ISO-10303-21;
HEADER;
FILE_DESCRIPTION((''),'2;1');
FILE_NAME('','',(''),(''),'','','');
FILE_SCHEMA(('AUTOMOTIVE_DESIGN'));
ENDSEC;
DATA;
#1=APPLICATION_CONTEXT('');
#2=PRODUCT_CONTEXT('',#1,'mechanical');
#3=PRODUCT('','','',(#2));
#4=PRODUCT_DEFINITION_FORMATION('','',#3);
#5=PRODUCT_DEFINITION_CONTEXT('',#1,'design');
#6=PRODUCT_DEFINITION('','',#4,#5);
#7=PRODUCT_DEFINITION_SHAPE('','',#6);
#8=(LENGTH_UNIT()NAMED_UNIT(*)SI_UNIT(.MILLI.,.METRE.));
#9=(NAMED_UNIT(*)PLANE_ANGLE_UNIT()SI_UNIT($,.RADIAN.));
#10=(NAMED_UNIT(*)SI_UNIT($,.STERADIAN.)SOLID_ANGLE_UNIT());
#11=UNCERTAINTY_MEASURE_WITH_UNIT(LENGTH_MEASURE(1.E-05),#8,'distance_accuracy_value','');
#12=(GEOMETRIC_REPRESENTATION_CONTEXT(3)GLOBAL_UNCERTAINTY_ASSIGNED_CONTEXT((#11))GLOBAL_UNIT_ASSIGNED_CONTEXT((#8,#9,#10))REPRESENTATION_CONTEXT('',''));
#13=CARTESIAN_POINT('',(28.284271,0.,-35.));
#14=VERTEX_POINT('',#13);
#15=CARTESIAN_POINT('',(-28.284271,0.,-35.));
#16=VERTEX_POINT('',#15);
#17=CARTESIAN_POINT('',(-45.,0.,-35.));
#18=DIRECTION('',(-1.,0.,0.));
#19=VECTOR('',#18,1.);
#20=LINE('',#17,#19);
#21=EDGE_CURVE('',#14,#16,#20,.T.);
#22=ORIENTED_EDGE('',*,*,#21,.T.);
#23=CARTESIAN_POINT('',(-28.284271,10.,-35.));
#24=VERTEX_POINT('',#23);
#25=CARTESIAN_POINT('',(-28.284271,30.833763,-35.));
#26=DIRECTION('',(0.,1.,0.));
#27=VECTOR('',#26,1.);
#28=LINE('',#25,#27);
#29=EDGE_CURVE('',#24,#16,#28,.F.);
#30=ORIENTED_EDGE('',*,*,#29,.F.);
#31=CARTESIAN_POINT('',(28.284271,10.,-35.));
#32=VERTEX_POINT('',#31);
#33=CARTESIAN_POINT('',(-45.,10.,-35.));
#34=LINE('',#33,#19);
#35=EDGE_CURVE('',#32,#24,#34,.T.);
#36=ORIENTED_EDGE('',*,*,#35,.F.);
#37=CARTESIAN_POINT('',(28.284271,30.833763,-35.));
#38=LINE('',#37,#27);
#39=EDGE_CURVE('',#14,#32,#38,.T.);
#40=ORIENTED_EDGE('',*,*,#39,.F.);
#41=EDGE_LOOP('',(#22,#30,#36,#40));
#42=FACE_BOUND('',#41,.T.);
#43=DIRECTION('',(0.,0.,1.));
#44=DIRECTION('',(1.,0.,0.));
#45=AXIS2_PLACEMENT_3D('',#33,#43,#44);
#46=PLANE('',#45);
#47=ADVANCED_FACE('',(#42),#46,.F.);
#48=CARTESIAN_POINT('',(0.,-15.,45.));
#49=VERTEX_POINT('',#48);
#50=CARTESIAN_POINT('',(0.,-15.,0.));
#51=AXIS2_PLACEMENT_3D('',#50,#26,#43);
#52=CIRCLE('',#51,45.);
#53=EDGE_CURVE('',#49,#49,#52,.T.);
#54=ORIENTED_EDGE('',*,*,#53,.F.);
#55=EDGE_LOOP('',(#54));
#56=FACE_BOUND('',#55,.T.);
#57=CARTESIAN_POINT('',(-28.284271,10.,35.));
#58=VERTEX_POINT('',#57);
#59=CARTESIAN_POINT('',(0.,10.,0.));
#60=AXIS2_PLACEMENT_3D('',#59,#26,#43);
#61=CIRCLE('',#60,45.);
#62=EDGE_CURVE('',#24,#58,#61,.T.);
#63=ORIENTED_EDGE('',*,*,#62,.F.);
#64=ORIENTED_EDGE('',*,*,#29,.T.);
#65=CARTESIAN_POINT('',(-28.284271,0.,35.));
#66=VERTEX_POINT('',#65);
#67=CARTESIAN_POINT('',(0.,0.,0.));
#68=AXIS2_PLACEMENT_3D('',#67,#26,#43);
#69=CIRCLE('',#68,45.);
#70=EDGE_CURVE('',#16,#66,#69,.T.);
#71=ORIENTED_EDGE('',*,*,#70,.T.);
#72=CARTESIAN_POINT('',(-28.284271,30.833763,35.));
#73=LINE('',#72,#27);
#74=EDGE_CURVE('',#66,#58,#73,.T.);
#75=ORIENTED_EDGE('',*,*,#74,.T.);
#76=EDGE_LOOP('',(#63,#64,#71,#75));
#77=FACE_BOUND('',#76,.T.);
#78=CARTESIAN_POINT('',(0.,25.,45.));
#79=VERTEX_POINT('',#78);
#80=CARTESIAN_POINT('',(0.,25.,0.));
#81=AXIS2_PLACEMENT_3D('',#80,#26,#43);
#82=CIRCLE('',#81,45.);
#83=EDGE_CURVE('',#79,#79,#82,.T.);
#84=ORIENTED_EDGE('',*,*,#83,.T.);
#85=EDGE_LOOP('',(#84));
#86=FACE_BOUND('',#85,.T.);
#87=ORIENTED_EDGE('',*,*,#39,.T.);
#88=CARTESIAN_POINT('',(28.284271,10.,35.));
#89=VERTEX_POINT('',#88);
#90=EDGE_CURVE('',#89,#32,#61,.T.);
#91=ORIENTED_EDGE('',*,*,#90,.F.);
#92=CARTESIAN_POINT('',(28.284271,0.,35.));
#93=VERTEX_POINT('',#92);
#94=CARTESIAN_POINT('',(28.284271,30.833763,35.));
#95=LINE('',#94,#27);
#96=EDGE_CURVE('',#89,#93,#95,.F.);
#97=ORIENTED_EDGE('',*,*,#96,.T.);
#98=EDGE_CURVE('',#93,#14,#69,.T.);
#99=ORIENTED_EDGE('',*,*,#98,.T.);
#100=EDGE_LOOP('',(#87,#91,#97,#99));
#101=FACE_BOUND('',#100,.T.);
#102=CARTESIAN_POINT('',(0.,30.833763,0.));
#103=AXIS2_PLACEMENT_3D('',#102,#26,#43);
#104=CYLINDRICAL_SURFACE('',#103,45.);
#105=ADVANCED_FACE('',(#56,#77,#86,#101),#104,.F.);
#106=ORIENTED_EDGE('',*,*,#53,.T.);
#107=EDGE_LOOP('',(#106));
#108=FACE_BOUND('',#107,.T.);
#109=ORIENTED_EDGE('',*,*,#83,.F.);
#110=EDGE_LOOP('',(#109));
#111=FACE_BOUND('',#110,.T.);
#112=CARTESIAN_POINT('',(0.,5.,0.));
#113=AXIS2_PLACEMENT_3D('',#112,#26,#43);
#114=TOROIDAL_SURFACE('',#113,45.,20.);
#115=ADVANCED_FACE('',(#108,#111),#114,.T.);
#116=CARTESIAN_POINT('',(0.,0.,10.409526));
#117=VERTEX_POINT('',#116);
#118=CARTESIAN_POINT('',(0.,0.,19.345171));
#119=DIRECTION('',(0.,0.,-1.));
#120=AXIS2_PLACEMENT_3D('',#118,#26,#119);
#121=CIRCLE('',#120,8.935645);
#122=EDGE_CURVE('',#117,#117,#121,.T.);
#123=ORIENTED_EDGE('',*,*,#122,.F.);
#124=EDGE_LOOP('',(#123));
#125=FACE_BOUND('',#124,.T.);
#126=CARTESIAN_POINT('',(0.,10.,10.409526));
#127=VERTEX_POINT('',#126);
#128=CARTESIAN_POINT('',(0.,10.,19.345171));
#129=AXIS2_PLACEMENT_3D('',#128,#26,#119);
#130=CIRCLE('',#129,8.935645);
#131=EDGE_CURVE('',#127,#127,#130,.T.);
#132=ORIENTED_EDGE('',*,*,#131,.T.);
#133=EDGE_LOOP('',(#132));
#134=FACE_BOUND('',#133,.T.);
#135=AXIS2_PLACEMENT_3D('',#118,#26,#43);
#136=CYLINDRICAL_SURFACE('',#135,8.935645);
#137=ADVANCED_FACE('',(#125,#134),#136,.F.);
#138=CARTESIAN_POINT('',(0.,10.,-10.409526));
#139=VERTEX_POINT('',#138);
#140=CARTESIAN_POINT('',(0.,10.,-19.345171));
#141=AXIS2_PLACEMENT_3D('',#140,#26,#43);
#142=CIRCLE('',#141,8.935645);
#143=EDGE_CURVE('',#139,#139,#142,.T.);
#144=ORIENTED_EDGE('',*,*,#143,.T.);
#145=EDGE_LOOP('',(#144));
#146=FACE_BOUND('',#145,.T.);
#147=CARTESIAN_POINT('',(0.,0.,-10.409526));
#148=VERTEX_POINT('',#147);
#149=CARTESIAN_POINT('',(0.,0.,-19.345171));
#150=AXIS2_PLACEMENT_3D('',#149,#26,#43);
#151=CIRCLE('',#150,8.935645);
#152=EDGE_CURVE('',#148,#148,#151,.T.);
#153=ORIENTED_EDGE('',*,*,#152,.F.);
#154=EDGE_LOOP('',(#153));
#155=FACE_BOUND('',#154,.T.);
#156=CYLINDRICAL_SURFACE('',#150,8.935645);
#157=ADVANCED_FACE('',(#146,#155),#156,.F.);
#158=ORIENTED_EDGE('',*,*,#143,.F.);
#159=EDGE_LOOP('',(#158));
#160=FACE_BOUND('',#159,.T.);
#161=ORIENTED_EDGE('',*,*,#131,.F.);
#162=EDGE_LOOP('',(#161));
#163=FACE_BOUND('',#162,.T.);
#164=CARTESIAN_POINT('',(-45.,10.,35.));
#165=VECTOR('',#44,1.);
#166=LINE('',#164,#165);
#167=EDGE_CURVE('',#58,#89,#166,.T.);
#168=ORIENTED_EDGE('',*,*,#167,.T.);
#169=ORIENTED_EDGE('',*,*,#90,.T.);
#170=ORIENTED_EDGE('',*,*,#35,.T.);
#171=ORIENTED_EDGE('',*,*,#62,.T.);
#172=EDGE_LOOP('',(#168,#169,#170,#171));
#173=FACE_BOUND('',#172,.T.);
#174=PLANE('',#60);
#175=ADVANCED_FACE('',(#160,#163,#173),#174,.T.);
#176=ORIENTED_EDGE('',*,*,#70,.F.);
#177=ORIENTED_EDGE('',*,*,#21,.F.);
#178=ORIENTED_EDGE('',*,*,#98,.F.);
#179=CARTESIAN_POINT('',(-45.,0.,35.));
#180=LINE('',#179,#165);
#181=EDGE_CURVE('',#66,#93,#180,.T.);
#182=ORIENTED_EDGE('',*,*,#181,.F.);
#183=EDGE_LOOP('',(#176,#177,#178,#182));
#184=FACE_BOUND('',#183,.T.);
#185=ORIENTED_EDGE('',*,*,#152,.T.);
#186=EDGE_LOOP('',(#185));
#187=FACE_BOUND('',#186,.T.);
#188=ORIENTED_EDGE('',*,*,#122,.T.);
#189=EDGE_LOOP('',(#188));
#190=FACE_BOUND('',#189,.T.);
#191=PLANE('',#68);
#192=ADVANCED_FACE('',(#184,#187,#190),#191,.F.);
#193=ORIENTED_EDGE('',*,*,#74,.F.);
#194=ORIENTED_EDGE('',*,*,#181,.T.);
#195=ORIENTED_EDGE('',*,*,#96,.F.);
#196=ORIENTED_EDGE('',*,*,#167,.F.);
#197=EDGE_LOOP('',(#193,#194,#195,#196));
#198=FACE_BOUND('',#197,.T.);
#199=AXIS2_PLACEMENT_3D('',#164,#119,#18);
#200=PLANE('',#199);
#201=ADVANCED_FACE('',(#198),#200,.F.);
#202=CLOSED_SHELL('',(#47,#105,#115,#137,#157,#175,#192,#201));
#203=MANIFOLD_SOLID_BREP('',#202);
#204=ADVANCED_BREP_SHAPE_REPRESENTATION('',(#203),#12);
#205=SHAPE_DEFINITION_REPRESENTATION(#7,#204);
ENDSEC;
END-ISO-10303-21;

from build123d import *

# Parameters (mm, degrees)
SKETCH_1_W          = 90
SKETCH_1_H          = 70
EXTRUDE_1_DEPTH     = 10
FILLET_1_R          = 10
SKETCH_2_R          = 8.935644791
CUT_EXTRUDE_1_DEPTH = 10


with BuildPart() as part:
    # 草图1 → 凸台-拉伸1 (new body)
    with BuildSketch(Plane(origin=(0, 0, 0), x_dir=(1, 0, 0), z_dir=(0, 1, 0))):
        Rectangle(SKETCH_1_W, SKETCH_1_H)
    extrude(amount=EXTRUDE_1_DEPTH)

    # 圆角1
    fillet_1_edges = [part.edges().sort_by_distance(p)[0] for p in [
        (45, 5, 35),
        (-45, 5, 35),
        (-45, 5, -35),
        (45, 5, -35),
    ]]
    fillet(fillet_1_edges, radius=FILLET_1_R)

    # 草图2 → 切除-拉伸1 (cut)
    with BuildSketch(Plane(origin=(0, 10, 0), x_dir=(1, 0, 0), z_dir=(0, 1, 0))):
        with Locations(Location((0, 19.345170793, 0), (0, 0, 270))):
            Circle(SKETCH_2_R)
        with Locations(Location((0, -19.345170793, 0), (0, 0, 90))):
            Circle(SKETCH_2_R)
    extrude(amount=-CUT_EXTRUDE_1_DEPTH, mode=Mode.SUBTRACT)

    # 草图5 → 旋转1 (revolve)
    with BuildSketch(Plane.XY, mode=Mode.PRIVATE) as revolve_1_sk:
        with BuildLine():
            Line((45, 25), (45, -15))
            ThreePointArc((45, -15), (65, 5), (45, 25))
        make_face()
    revolve(revolve_1_sk.sketch.rotate(Axis((0, 30.833762992, 0), (0, -1, 0)), 90), axis=Axis((0, 30.833762992, 0), (0, -1, 0)))


solid = part.part
